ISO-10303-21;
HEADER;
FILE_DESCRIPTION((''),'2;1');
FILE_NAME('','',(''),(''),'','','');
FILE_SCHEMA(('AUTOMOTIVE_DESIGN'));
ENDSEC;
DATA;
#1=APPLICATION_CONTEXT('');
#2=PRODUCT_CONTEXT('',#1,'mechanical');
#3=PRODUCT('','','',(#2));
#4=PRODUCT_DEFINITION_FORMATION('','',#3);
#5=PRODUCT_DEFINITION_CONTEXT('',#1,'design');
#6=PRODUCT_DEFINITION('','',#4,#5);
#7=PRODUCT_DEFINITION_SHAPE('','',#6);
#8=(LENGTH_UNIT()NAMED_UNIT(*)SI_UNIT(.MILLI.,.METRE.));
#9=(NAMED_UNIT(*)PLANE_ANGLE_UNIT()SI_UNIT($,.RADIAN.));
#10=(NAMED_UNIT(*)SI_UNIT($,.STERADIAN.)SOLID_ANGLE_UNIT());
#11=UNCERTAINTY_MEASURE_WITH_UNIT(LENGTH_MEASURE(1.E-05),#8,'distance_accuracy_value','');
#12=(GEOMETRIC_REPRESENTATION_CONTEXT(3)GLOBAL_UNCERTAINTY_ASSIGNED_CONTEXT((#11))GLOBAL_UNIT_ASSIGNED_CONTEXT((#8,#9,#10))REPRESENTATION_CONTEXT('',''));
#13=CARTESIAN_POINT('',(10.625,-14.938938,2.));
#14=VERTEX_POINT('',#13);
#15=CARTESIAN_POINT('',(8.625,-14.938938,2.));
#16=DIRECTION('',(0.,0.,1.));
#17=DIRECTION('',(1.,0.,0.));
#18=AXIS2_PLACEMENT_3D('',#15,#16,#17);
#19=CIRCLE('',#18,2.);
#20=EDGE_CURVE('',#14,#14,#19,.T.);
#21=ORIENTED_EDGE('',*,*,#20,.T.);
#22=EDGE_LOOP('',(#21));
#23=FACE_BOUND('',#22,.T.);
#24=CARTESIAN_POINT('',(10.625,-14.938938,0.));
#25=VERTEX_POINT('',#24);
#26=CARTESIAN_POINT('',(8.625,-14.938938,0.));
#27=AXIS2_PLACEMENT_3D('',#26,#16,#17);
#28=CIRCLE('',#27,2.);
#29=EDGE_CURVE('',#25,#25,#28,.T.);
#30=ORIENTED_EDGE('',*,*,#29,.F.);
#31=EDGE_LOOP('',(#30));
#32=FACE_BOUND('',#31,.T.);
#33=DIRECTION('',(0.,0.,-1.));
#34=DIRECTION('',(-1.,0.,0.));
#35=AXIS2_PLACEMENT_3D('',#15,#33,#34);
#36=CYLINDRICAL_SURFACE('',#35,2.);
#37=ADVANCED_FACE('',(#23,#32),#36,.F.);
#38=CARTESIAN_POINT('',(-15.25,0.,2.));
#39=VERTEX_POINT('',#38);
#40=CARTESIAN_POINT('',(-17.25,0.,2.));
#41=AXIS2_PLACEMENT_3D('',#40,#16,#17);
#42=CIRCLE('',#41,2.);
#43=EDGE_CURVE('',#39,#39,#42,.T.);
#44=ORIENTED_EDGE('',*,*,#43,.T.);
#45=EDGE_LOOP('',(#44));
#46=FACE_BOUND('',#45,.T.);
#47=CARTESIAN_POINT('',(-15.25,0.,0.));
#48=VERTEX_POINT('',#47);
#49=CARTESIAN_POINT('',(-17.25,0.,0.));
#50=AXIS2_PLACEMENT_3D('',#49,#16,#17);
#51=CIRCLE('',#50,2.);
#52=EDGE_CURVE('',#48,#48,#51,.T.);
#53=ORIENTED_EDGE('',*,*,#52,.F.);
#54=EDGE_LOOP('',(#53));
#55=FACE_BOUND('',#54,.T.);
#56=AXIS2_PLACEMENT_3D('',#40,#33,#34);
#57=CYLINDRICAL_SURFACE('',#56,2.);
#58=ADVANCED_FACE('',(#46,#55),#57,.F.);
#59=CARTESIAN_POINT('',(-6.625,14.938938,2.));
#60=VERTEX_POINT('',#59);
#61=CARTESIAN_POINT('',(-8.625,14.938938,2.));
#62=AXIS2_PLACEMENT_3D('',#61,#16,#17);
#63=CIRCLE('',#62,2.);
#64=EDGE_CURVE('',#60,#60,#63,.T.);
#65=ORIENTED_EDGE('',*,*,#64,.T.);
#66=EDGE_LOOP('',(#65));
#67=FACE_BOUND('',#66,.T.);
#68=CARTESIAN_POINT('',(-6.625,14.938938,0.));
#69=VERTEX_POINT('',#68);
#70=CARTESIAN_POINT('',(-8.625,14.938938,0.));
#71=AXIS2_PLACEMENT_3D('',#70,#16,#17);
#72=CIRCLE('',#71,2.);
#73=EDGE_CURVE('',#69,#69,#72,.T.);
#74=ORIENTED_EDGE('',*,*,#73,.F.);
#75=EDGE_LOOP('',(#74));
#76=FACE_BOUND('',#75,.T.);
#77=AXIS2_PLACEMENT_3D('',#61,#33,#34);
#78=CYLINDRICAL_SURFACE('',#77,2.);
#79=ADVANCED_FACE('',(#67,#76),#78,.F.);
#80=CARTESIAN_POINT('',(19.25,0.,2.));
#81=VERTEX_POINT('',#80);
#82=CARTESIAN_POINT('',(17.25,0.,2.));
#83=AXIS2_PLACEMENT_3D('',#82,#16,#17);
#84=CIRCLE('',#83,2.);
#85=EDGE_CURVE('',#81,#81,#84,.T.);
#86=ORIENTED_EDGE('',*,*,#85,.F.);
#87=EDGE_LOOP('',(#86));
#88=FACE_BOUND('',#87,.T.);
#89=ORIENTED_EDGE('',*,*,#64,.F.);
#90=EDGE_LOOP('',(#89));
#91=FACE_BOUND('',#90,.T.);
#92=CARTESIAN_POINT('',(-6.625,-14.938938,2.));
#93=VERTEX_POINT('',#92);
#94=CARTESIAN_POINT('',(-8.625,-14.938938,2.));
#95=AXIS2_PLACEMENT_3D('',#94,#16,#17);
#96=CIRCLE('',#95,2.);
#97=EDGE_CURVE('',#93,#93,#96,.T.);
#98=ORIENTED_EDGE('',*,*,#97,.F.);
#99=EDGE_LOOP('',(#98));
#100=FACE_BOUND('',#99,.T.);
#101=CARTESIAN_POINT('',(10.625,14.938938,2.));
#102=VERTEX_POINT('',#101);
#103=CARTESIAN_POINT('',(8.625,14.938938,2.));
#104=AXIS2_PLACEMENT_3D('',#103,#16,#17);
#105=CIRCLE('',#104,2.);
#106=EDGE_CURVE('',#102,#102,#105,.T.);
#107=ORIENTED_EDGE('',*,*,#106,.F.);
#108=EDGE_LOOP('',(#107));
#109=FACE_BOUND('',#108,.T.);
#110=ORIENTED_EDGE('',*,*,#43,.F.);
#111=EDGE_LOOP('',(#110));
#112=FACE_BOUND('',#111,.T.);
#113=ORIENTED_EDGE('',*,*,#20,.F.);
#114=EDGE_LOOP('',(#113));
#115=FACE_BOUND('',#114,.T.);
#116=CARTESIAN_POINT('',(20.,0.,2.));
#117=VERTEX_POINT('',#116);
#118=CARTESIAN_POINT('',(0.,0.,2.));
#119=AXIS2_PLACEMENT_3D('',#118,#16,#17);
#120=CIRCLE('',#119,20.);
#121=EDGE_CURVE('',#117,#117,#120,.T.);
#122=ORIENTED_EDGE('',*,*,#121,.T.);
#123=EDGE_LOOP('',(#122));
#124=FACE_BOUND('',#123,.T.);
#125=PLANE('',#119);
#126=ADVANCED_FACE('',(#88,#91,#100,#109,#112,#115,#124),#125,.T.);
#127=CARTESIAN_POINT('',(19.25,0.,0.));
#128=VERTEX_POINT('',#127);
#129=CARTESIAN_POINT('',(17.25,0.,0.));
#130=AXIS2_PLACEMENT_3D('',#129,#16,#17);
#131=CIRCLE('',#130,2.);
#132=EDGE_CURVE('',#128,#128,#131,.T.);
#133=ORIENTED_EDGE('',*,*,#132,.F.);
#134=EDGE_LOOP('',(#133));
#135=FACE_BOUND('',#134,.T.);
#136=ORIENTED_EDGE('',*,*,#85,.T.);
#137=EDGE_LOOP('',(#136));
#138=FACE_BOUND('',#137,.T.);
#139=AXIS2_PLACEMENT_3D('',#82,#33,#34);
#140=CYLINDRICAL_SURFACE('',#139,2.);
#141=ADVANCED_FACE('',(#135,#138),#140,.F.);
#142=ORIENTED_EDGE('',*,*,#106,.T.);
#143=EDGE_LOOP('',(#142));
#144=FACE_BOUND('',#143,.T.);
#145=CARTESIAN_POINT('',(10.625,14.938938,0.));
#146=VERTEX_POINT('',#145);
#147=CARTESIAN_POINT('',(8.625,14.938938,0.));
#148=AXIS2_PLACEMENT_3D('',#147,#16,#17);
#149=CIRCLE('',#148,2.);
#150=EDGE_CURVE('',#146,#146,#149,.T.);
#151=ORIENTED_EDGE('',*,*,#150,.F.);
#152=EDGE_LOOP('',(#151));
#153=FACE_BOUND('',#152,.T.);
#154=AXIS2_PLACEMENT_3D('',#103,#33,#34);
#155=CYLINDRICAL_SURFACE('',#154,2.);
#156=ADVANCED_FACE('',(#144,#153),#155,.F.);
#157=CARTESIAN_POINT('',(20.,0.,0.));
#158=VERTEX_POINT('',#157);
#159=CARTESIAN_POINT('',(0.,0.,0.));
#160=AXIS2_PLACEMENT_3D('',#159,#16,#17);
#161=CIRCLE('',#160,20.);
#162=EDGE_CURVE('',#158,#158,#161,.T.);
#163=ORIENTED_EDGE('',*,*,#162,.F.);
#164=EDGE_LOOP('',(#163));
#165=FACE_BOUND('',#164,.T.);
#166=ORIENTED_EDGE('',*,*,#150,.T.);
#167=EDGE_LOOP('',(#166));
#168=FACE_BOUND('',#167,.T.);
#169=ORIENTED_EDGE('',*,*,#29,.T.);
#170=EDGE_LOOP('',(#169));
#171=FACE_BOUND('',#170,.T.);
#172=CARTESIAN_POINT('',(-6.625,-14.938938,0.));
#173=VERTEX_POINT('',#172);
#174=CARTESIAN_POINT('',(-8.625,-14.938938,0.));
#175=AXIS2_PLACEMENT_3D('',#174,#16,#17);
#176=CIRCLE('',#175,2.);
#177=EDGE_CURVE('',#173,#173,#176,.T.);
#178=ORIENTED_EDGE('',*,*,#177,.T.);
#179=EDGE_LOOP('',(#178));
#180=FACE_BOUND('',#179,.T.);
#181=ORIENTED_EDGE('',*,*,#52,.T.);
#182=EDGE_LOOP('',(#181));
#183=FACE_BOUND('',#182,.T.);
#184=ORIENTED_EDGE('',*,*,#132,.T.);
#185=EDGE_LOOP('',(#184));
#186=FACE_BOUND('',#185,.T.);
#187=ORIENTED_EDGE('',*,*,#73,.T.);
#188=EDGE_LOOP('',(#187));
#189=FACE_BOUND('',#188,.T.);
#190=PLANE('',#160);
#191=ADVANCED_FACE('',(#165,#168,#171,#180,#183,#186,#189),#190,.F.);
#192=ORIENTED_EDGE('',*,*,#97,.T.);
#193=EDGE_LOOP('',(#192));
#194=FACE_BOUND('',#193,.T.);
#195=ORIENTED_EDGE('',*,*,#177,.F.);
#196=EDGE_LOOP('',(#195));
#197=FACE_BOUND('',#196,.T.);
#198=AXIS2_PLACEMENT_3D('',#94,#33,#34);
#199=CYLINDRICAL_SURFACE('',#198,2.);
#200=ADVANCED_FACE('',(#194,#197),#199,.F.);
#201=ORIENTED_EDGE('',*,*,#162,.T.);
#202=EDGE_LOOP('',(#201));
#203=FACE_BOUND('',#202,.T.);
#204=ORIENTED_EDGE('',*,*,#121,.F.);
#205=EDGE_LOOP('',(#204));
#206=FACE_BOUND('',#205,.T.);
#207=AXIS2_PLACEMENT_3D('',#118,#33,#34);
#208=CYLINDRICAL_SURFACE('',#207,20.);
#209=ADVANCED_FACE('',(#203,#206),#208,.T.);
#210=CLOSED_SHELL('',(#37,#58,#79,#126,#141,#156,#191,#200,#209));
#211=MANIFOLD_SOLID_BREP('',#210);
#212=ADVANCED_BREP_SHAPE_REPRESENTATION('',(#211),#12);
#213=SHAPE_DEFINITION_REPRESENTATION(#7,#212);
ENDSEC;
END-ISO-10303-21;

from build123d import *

# Parameters (mm, degrees)
SKETCH_1_R      = 20
SKETCH_1_R_2    = 2
EXTRUDE_1_DEPTH = 2


with BuildPart() as part:
    # 草图1 → 凸台-拉伸1 (new body)
    with BuildSketch(Plane.XY):
        Circle(SKETCH_1_R)
        with Locations((17.25, 0)):
            Circle(SKETCH_1_R_2, mode=Mode.SUBTRACT)
        with Locations((8.625, -14.938938215)):
            Circle(SKETCH_1_R_2, mode=Mode.SUBTRACT)
        with Locations((-8.625, -14.938938215)):
            Circle(SKETCH_1_R_2, mode=Mode.SUBTRACT)
        with Locations((-17.25, 0)):
            Circle(SKETCH_1_R_2, mode=Mode.SUBTRACT)
        with Locations((-8.625, 14.938938215)):
            Circle(SKETCH_1_R_2, mode=Mode.SUBTRACT)
        with Locations((8.625, 14.938938215)):
            Circle(SKETCH_1_R_2, mode=Mode.SUBTRACT)
    extrude(amount=EXTRUDE_1_DEPTH)


solid = part.part
